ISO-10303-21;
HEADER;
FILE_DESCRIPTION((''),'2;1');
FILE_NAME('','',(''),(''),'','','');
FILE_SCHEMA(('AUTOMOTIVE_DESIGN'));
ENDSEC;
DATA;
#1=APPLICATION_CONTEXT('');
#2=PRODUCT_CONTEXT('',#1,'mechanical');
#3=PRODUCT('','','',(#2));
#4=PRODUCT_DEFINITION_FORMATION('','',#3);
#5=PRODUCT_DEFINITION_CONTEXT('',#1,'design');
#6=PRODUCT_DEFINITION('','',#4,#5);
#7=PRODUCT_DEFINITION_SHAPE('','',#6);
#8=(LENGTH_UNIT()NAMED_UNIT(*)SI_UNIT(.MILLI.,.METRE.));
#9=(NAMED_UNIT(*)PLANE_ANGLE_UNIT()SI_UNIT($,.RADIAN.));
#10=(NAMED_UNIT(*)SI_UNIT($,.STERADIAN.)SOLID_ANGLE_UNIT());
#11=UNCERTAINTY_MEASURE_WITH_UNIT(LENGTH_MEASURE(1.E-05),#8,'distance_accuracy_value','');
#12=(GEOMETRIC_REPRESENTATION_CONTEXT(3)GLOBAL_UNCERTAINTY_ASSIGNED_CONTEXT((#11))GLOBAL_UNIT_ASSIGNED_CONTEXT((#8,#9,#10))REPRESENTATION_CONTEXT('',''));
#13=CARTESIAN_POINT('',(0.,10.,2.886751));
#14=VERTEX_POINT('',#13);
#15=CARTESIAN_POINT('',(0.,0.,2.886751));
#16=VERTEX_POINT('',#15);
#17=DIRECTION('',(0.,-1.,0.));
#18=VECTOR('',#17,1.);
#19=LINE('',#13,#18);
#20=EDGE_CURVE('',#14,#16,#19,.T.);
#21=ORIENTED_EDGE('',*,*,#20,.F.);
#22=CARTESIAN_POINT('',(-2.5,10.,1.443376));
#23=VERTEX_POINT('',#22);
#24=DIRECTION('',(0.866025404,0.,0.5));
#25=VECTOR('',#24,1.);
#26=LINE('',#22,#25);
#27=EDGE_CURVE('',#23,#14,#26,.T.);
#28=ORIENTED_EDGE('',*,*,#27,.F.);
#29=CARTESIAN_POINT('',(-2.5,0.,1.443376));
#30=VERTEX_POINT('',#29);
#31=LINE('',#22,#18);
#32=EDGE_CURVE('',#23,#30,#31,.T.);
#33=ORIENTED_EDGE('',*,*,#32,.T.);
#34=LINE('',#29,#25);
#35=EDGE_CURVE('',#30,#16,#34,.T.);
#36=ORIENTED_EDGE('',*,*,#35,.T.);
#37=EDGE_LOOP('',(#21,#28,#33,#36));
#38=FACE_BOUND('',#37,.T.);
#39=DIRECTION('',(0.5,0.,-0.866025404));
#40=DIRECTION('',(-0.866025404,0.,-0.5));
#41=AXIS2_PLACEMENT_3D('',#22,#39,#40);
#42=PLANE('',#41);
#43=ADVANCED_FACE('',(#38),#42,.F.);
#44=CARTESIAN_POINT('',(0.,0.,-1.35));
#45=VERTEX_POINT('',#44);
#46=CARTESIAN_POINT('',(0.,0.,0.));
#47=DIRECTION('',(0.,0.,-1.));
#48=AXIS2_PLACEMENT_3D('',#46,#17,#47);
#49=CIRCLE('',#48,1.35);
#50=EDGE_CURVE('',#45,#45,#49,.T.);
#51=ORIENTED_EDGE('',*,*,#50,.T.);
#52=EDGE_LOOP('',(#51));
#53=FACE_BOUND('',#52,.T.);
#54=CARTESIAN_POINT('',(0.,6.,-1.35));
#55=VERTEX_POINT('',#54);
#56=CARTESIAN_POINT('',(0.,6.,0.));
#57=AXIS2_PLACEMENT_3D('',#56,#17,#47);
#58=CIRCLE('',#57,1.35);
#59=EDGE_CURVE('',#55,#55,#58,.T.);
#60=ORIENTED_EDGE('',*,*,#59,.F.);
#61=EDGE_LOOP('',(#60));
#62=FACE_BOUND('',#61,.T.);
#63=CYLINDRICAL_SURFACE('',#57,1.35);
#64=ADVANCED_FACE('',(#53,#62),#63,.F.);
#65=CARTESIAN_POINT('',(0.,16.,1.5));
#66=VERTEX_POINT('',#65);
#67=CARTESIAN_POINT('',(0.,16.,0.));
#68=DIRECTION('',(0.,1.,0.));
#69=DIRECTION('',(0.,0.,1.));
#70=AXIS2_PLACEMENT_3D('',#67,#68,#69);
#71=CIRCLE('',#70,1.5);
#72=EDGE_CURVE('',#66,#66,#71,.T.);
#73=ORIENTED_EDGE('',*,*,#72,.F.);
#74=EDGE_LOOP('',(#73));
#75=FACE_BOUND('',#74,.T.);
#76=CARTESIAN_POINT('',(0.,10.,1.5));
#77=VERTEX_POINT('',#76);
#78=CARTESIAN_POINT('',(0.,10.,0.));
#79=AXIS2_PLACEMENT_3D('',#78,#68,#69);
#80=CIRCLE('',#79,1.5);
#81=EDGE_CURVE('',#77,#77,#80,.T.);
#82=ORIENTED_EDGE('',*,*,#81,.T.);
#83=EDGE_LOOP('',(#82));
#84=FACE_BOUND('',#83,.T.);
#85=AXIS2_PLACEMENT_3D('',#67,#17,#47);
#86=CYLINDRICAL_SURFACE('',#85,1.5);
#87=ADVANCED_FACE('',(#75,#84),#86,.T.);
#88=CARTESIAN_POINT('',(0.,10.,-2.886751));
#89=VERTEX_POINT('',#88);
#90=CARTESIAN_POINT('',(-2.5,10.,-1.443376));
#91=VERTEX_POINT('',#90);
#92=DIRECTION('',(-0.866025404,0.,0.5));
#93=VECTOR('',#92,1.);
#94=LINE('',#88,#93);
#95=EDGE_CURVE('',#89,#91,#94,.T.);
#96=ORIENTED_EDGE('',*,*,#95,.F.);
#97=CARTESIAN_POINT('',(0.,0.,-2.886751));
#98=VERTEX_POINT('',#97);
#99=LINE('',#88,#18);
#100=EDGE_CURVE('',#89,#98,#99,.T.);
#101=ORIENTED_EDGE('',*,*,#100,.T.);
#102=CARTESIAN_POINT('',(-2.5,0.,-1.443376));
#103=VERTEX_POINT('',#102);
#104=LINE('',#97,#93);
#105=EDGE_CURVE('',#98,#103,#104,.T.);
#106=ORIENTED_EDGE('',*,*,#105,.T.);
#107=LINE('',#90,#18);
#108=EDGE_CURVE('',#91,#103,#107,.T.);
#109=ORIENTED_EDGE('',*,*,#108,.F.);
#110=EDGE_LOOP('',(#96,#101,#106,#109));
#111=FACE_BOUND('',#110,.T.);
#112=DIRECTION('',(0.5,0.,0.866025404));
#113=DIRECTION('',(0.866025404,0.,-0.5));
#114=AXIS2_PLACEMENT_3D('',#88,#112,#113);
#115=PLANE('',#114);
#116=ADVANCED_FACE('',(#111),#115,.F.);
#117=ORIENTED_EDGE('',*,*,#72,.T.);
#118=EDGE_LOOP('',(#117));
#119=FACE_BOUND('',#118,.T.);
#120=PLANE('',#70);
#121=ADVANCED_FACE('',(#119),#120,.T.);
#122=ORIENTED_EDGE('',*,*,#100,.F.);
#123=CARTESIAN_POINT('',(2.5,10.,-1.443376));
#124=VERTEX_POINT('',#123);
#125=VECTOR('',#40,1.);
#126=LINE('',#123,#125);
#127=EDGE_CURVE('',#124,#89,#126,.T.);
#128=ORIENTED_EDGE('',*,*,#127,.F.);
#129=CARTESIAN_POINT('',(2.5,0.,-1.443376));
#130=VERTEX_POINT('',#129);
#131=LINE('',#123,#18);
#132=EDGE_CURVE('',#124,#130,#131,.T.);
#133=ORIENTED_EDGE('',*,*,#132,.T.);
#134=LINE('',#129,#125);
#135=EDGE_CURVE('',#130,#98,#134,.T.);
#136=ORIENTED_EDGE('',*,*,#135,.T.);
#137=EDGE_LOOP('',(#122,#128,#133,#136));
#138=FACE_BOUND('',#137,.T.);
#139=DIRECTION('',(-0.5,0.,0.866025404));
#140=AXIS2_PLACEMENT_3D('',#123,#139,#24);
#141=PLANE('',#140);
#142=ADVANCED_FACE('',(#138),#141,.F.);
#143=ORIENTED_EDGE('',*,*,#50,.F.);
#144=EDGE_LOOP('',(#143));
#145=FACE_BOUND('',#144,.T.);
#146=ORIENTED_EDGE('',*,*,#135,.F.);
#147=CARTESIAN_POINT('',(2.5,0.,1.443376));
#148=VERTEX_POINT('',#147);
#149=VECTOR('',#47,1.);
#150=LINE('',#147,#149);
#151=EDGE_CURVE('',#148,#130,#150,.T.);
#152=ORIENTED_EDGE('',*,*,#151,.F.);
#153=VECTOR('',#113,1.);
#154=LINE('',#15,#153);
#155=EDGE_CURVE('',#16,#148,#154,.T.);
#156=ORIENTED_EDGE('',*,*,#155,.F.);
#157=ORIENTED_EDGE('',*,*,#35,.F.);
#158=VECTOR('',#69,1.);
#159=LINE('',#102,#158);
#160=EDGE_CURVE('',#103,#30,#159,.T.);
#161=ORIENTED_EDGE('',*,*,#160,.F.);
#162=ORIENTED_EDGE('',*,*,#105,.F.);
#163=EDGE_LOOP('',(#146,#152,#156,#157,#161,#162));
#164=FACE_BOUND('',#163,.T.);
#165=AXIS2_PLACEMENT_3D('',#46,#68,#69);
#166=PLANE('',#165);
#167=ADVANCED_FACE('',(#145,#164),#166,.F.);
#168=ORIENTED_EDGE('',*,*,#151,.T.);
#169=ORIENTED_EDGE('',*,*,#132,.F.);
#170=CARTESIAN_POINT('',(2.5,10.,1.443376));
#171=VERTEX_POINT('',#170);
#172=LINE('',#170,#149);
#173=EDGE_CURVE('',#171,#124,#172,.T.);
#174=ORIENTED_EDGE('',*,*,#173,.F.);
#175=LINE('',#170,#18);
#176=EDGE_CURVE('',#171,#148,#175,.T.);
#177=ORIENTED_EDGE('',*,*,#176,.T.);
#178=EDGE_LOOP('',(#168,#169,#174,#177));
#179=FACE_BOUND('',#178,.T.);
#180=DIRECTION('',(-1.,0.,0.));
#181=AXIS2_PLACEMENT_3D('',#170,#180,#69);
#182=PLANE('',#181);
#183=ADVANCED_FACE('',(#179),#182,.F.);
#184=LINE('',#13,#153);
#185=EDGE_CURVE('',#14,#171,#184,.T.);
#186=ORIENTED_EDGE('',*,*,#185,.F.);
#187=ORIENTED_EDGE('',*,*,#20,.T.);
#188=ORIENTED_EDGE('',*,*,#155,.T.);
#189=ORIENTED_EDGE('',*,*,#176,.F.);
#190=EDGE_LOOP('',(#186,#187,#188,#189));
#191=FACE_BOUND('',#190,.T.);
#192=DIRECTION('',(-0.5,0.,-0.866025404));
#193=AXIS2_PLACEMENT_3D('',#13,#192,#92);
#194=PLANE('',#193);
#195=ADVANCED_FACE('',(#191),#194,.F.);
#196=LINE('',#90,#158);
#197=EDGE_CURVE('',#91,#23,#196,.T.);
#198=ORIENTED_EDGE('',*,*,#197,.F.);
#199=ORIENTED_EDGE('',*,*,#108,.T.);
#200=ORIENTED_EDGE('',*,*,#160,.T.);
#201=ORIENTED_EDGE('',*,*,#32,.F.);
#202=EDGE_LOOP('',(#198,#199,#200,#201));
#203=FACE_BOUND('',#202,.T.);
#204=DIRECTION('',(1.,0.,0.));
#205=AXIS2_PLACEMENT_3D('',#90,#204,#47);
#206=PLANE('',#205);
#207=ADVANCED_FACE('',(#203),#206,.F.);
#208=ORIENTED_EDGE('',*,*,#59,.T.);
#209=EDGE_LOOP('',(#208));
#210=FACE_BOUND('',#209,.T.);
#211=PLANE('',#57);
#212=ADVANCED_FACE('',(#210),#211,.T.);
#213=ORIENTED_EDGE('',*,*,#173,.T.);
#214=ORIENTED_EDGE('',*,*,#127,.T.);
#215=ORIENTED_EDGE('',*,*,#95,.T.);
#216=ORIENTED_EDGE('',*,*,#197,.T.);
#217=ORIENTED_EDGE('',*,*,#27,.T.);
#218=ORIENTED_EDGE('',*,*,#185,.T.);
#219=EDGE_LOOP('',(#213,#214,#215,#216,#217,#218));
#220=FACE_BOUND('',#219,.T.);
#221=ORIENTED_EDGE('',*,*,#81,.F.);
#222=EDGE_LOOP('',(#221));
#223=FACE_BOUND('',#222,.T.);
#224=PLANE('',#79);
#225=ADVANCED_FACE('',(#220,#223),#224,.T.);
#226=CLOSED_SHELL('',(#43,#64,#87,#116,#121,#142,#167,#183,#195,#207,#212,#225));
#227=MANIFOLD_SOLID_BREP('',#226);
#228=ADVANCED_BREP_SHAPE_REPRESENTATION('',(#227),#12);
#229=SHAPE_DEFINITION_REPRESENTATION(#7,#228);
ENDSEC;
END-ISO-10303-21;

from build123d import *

# Parameters (mm, degrees)
BOSS_EXTRUDE1_DEPTH = 10
SKETCH2_R           = 1.5
BOSS_EXTRUDE2_DEPTH = 6
SKETCH3_R           = 1.35
CUT_EXTRUDE1_DEPTH  = 6


with BuildPart() as part:
    # Sketch1 → Boss-Extrude1 (new body)
    with BuildSketch(Plane(origin=(0, 0, 0), x_dir=(1, 0, 0), z_dir=(0, 1, 0))):
        Polygon((2.5, -1.443375673), (2.5, 1.443375673), (0, 2.886751346), (-2.5, 1.443375673), (-2.5, -1.443375673), (0, -2.886751346), align=None)
    extrude(amount=BOSS_EXTRUDE1_DEPTH)

    # Sketch2 → Boss-Extrude2 (add)
    with BuildSketch(Plane(origin=(0, 10, 0), x_dir=(1, 0, 0), z_dir=(0, 1, 0))):
        with Locations(Location((0, 0, 0), (0, 0, 270))):
            Circle(SKETCH2_R)
    extrude(amount=BOSS_EXTRUDE2_DEPTH)

    # Sketch3 → Cut-Extrude1 (cut)
    with BuildSketch(Plane.XZ):
        with Locations(Location((0, 0, 0), (0, 0, 270))):
            Circle(SKETCH3_R)
    extrude(amount=-CUT_EXTRUDE1_DEPTH, mode=Mode.SUBTRACT)


solid = part.part
